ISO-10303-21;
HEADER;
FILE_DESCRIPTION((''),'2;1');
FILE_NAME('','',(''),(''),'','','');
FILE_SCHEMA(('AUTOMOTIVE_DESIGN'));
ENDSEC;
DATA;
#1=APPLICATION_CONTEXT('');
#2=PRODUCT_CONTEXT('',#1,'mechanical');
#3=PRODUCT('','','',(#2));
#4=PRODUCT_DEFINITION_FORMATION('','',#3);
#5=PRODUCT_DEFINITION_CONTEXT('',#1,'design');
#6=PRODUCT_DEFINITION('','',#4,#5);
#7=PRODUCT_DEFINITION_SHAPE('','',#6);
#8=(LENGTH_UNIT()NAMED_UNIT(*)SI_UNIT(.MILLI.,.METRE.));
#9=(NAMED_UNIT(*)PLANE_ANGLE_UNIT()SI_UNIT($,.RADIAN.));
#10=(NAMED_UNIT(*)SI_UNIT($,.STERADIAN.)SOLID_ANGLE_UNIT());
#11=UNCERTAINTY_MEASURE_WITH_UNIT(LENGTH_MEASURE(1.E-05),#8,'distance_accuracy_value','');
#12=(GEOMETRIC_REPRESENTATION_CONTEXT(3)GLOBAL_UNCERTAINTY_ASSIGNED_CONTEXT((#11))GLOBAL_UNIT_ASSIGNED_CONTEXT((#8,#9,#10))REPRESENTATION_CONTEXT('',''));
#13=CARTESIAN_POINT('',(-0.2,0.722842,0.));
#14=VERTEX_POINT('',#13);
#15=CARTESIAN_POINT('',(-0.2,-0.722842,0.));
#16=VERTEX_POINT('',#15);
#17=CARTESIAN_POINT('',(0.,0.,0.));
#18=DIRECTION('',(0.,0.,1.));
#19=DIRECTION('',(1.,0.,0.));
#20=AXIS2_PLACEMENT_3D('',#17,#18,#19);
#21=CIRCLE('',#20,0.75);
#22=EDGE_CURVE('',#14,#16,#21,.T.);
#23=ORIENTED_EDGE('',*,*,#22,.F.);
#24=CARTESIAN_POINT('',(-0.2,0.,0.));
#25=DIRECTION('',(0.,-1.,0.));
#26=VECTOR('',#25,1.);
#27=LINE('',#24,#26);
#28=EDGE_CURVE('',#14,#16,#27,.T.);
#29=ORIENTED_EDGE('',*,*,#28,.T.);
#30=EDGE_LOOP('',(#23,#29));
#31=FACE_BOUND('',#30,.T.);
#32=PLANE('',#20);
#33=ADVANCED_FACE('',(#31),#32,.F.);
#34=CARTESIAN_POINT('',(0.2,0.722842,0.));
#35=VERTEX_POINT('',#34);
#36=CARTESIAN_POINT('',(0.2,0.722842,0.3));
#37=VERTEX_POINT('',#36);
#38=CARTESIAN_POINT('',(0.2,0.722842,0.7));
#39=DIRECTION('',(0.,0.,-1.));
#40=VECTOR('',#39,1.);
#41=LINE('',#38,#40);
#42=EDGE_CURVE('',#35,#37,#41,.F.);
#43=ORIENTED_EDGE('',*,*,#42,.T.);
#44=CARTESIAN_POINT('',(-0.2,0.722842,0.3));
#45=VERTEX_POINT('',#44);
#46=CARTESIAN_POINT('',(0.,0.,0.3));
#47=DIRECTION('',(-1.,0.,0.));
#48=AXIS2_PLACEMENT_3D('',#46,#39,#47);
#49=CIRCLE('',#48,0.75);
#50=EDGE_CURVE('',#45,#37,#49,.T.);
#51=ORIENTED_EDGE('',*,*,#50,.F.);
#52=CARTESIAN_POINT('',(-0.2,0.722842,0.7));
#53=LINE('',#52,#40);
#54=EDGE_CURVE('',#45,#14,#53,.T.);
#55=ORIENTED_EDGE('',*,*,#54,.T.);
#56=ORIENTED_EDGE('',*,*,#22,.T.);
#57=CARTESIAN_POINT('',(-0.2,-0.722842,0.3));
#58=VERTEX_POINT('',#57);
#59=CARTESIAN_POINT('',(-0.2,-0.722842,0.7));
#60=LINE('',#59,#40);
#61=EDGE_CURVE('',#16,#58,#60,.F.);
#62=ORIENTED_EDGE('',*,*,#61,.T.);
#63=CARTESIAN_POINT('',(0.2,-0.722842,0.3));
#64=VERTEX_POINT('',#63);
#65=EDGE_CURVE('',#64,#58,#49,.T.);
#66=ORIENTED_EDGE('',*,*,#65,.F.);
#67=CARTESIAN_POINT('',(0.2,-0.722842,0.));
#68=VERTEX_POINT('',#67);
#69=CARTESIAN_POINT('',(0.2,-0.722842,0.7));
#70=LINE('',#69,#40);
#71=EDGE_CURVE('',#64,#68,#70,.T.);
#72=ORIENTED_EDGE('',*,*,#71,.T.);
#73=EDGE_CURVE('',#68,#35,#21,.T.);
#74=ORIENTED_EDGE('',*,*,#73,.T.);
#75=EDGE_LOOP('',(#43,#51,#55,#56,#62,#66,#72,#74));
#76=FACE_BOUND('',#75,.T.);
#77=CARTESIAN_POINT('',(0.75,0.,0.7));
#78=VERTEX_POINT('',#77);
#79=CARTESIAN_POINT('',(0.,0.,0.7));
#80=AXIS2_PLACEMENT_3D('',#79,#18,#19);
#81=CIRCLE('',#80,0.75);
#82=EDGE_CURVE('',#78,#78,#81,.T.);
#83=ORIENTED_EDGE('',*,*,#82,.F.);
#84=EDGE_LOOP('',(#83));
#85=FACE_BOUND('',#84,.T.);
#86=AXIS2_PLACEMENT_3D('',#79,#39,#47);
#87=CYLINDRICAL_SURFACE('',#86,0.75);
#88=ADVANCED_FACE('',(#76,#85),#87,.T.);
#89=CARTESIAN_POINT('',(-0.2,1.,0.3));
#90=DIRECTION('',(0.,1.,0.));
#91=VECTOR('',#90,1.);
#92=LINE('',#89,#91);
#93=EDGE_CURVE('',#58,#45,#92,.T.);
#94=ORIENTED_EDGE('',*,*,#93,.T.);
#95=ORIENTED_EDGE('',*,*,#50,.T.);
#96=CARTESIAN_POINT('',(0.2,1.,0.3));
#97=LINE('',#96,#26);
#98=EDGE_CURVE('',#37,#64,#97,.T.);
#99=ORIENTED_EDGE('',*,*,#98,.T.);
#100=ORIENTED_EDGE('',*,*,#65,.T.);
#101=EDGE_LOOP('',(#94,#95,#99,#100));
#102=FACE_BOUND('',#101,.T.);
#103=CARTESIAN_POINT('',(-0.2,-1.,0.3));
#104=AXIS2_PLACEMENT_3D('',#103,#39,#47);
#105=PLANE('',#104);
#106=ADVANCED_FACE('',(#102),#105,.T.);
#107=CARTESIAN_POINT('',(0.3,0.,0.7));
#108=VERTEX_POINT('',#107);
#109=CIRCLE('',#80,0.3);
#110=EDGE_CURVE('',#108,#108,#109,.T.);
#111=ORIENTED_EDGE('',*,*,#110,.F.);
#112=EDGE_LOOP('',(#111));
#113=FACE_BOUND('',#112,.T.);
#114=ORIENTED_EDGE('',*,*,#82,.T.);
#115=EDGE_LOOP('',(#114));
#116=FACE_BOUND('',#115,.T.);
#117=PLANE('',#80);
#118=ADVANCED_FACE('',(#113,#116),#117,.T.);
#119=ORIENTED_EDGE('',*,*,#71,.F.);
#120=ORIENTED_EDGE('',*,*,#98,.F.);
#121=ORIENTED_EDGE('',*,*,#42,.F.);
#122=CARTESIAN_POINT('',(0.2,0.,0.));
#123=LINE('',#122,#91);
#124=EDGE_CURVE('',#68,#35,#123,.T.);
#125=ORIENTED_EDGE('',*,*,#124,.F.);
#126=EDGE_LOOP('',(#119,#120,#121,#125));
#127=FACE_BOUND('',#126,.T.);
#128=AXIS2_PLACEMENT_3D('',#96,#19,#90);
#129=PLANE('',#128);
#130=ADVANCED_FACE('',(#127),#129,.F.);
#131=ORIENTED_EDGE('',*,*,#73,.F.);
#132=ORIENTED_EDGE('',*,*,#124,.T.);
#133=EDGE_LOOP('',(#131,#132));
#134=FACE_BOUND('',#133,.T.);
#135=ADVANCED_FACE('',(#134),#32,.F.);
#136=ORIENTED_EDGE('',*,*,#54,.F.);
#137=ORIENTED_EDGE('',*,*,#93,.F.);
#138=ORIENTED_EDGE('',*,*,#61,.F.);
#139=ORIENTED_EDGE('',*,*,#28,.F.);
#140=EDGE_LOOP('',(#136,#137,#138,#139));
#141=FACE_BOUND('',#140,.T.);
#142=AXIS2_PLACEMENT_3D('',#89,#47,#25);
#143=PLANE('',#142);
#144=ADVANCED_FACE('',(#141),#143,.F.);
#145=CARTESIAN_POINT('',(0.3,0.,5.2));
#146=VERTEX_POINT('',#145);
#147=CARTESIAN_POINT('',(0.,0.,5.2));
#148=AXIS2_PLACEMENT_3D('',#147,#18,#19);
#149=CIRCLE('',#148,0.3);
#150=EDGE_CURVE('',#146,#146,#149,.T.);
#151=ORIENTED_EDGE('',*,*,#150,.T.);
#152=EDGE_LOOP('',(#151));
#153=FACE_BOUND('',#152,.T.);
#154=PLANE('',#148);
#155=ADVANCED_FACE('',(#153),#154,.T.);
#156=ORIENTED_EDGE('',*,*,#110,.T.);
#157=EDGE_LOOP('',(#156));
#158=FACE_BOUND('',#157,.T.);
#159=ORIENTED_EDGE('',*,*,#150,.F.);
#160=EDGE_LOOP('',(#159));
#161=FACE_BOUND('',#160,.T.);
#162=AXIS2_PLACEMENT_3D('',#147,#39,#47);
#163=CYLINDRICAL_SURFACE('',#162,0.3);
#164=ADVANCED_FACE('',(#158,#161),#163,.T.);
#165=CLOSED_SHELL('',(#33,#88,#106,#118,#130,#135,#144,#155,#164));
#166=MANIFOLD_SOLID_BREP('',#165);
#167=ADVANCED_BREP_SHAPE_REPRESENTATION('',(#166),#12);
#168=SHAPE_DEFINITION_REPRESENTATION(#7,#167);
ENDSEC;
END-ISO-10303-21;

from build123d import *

# Parameters (mm, degrees)
SKETCH1_R           = 0.75
BOSS_EXTRUDE1_DEPTH = 0.7
SKETCH3_R           = 0.3
BOSS_EXTRUDE2_DEPTH = 4.5
SKETCH5_W           = 0.4
SKETCH5_H           = 2
CUT_EXTRUDE1_DEPTH  = 0.3


with BuildPart() as part:
    # Sketch1 → Boss-Extrude1 (new body)
    with BuildSketch(Plane.XY):
        Circle(SKETCH1_R)
    extrude(amount=BOSS_EXTRUDE1_DEPTH)

    # Sketch3 → Boss-Extrude2 (add)
    with BuildSketch(Plane.XY.offset(0.7)):
        Circle(SKETCH3_R)
    extrude(amount=BOSS_EXTRUDE2_DEPTH)

    # Sketch5 → Cut-Extrude1 (cut)
    with BuildSketch(Plane(origin=(0, 0, 0), x_dir=(-1, 0, 0), z_dir=(0, 0, -1))):
        Rectangle(SKETCH5_W, SKETCH5_H)
    extrude(amount=-CUT_EXTRUDE1_DEPTH, mode=Mode.SUBTRACT)


solid = part.part
